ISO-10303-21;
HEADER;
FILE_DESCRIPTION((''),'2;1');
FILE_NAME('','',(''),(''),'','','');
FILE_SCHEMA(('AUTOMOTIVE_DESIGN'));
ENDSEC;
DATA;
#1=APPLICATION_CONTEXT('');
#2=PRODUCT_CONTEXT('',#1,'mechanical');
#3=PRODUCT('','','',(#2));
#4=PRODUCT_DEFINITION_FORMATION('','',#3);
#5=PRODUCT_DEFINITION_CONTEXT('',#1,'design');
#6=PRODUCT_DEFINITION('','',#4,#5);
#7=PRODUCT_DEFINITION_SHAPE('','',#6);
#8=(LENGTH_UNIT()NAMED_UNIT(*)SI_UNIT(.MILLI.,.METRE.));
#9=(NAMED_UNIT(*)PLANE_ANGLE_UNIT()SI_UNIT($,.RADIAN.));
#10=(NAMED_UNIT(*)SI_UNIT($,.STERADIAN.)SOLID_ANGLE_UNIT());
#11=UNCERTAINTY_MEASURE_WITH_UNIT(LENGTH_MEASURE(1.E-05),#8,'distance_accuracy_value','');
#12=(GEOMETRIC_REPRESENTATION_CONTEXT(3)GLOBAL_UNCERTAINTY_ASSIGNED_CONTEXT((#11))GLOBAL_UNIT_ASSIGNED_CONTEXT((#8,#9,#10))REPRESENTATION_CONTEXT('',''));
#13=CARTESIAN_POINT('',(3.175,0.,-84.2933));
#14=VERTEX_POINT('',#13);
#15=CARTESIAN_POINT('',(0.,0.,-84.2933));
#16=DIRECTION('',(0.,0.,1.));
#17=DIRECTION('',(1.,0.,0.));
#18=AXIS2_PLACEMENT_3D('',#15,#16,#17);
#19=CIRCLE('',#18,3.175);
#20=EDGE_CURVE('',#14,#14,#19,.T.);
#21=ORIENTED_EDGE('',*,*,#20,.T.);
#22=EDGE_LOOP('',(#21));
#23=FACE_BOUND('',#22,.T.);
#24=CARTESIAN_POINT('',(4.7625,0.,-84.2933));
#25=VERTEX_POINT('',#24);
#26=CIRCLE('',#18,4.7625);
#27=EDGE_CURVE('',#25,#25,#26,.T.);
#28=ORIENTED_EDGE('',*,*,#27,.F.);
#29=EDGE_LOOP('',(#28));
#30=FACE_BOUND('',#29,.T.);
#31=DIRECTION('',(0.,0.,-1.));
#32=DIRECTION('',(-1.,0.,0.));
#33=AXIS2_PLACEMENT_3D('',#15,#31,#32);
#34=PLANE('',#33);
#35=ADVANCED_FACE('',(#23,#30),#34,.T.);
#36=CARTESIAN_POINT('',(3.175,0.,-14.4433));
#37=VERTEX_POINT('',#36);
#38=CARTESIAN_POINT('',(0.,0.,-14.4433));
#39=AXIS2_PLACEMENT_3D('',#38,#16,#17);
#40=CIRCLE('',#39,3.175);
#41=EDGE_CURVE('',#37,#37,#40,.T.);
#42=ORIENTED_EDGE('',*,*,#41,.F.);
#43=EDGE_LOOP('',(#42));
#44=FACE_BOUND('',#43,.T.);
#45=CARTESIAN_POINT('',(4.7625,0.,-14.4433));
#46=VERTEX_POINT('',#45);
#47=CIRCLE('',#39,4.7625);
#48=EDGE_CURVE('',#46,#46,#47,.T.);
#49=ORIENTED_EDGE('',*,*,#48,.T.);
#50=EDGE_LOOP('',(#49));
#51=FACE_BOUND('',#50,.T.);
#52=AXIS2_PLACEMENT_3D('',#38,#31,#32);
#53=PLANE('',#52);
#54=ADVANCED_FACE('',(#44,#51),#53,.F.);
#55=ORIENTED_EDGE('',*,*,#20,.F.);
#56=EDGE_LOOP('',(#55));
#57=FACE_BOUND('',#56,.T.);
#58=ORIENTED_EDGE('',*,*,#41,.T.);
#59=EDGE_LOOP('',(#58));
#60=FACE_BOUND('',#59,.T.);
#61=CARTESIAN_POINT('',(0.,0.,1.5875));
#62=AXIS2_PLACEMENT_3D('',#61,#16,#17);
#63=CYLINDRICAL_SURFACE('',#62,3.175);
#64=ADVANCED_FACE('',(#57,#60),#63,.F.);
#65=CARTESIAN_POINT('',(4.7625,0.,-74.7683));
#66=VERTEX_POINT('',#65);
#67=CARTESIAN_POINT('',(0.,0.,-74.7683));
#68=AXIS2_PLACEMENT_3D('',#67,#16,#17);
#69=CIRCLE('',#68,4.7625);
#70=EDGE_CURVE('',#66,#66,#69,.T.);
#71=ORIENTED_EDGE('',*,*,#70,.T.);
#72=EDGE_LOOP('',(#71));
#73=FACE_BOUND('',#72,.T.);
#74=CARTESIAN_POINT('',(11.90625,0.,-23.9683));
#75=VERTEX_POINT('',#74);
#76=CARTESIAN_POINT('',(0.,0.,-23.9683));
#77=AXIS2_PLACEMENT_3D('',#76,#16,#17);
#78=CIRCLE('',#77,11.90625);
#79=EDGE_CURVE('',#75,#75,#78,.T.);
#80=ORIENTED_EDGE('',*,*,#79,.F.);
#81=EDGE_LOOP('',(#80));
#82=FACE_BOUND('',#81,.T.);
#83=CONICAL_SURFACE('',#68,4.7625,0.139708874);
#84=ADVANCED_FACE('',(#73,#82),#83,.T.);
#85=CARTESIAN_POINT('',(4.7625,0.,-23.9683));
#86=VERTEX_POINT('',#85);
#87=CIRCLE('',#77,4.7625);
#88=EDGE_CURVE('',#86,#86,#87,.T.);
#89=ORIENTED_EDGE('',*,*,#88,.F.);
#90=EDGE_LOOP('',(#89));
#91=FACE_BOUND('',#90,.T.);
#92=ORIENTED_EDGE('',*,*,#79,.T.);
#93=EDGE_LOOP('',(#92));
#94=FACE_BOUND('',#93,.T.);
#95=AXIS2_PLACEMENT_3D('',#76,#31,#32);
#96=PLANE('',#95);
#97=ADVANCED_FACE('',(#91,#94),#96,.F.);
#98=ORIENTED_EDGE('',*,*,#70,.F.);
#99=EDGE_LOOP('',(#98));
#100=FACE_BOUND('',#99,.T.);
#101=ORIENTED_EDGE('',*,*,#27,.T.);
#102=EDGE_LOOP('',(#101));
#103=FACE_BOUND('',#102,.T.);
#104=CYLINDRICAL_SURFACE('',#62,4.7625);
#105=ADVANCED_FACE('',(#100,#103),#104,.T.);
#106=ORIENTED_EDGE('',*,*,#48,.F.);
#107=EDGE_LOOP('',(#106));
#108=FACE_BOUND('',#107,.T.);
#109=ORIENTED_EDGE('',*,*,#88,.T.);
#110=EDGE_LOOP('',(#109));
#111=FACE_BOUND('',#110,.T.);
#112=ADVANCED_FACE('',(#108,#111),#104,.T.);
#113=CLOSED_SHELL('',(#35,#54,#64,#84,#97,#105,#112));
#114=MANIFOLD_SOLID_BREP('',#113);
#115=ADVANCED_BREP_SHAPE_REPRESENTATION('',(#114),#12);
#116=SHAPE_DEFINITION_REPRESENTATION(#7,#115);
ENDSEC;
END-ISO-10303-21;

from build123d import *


with BuildPart() as part:
    # Sketch1 → Revolve1 (revolve)
    with BuildSketch(Plane(origin=(0, 0, 0), x_dir=(1, 0, 0), z_dir=(0, 1, 0))):
        Polygon((3.175, 14.443299572), (3.175, 84.293299572), (4.7625, 84.293299572), (4.7625, 74.768299572), (11.90625, 23.968299572), (4.7625, 23.968299572), (4.7625, 14.443299572), align=None)
    revolve(axis=Axis((0, 0, 1.5875), (0, 0, -1)))


solid = part.part
